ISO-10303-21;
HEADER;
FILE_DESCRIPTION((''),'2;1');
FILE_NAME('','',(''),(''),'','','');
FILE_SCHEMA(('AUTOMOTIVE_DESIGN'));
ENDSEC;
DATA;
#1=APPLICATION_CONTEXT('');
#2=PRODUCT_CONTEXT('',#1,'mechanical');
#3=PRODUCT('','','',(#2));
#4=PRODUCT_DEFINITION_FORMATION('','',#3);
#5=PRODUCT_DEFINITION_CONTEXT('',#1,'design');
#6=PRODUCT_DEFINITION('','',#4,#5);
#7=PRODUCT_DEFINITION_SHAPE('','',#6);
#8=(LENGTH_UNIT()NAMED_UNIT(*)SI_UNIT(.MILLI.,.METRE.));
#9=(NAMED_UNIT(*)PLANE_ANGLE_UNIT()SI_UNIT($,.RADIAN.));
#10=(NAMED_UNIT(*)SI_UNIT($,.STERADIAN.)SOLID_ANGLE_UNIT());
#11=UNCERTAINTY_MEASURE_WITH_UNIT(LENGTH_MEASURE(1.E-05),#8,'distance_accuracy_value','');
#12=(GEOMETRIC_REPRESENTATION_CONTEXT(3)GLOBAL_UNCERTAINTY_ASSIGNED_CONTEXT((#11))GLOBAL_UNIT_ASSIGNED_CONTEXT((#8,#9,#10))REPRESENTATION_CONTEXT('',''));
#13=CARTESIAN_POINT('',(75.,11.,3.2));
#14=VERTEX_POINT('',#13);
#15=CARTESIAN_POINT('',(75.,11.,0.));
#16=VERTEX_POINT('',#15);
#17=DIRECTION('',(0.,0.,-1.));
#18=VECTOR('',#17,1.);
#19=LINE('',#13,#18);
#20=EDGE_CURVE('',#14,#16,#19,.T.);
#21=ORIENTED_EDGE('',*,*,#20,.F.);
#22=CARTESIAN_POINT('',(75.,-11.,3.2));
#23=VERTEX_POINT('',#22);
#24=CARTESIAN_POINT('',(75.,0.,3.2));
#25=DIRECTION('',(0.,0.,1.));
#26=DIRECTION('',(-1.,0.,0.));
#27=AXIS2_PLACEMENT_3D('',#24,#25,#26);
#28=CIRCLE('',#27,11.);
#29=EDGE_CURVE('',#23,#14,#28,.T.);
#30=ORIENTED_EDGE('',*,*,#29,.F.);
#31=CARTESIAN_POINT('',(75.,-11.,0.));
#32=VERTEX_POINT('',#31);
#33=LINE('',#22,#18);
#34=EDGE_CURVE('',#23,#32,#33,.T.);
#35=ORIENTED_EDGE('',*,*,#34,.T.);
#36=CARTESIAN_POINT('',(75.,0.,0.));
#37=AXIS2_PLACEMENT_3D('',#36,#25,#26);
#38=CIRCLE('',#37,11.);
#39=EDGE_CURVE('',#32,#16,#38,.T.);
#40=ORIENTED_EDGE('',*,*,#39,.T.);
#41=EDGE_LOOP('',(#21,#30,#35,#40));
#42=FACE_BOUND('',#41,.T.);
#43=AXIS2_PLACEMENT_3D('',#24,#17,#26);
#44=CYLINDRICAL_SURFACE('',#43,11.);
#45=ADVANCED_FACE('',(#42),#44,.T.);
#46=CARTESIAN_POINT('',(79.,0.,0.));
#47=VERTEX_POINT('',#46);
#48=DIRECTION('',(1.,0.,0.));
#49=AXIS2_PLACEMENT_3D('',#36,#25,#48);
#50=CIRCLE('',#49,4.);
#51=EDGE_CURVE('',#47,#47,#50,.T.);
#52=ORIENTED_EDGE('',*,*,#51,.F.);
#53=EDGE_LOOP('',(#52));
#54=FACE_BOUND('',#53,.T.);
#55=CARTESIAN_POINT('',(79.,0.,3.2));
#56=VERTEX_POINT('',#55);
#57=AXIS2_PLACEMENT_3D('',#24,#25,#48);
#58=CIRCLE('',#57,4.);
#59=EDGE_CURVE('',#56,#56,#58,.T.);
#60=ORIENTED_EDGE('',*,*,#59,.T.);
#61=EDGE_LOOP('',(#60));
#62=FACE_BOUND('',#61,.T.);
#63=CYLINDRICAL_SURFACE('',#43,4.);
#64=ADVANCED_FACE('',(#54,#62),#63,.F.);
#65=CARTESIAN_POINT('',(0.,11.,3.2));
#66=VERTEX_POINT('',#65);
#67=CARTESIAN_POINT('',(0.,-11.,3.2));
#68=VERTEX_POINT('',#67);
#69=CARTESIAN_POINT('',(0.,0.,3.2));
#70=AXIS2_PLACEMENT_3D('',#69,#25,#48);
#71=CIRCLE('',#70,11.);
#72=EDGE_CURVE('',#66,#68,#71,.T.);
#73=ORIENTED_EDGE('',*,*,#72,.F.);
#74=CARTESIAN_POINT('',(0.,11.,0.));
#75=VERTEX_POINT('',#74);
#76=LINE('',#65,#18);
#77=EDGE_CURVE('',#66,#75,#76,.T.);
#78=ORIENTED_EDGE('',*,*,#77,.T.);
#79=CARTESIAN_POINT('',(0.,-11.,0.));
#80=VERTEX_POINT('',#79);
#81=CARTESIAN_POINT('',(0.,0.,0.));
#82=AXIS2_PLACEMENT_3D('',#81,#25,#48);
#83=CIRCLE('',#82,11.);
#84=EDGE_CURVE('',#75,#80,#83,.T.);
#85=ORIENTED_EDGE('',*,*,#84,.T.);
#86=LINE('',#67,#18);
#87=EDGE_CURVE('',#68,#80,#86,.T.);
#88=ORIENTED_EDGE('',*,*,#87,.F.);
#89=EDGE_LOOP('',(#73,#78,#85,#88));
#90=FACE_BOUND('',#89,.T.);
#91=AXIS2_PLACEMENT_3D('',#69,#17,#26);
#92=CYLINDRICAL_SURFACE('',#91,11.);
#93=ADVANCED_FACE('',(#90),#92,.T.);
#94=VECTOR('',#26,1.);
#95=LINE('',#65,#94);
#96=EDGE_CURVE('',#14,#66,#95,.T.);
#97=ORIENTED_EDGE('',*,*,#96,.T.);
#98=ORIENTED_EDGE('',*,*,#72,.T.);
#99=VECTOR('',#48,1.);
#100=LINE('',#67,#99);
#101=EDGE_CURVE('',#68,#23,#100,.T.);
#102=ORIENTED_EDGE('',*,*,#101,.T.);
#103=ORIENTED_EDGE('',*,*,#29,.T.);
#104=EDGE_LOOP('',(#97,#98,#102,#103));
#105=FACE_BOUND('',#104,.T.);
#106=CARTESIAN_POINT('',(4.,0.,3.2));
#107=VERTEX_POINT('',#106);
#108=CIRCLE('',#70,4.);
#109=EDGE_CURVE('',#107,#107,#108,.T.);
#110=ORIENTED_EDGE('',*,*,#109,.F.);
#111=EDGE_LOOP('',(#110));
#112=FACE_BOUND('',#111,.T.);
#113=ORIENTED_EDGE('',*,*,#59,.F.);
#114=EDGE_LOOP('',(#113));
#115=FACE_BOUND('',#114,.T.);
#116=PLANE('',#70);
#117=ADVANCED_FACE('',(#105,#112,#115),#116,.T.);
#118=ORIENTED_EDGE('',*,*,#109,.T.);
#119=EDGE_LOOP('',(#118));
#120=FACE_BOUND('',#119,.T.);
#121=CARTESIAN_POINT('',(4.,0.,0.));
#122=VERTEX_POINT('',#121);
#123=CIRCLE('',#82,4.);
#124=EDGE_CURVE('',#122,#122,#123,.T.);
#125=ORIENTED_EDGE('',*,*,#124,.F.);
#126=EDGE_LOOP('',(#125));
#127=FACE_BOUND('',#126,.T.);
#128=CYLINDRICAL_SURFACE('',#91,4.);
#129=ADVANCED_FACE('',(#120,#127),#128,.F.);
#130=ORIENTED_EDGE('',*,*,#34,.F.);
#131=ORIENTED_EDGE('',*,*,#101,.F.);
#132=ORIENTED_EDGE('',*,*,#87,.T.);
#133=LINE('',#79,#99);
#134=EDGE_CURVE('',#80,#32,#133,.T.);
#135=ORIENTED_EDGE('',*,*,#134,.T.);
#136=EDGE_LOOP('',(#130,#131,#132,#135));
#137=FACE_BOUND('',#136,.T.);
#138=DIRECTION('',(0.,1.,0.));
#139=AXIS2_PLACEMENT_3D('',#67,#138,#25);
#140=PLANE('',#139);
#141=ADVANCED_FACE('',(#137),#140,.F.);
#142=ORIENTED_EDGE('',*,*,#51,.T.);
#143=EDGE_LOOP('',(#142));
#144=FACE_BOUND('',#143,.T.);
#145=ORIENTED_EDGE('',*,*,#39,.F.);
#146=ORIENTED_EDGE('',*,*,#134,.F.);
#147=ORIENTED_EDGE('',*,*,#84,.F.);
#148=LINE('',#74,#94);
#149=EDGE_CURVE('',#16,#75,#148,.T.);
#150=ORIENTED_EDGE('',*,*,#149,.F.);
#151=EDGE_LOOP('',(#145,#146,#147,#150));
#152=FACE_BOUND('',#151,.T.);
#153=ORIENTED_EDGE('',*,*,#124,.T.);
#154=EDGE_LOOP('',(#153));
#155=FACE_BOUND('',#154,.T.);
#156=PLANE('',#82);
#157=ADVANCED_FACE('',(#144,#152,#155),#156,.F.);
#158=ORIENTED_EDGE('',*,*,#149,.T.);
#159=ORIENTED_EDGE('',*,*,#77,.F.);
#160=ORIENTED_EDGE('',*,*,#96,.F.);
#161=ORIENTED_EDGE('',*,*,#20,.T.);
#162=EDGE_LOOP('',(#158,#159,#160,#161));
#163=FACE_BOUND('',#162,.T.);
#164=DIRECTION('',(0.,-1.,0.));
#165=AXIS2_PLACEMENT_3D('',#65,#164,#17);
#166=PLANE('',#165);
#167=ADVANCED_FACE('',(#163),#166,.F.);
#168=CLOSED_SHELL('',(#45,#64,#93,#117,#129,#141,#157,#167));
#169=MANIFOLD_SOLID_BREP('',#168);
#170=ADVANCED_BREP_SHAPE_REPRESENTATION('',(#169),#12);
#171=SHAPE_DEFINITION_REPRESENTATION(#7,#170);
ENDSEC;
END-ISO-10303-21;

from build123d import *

# Parameters (mm, degrees)
SKETCH1_R           = 4
BOSS_EXTRUDE1_DEPTH = 3.2


with BuildPart() as part:
    # Sketch1 → Boss-Extrude1 (new body)
    with BuildSketch(Plane.XY):
        with BuildLine():
            Line((0, 11), (75, 11))
            ThreePointArc((75, 11), (86, 0), (75, -11))
            Line((75, -11), (0, -11))
            ThreePointArc((0, -11), (-11, 0), (0, 11))
        make_face()
        Circle(SKETCH1_R, mode=Mode.SUBTRACT)
        with Locations((75, 0)):
            Circle(SKETCH1_R, mode=Mode.SUBTRACT)
    extrude(amount=BOSS_EXTRUDE1_DEPTH)


solid = part.part
